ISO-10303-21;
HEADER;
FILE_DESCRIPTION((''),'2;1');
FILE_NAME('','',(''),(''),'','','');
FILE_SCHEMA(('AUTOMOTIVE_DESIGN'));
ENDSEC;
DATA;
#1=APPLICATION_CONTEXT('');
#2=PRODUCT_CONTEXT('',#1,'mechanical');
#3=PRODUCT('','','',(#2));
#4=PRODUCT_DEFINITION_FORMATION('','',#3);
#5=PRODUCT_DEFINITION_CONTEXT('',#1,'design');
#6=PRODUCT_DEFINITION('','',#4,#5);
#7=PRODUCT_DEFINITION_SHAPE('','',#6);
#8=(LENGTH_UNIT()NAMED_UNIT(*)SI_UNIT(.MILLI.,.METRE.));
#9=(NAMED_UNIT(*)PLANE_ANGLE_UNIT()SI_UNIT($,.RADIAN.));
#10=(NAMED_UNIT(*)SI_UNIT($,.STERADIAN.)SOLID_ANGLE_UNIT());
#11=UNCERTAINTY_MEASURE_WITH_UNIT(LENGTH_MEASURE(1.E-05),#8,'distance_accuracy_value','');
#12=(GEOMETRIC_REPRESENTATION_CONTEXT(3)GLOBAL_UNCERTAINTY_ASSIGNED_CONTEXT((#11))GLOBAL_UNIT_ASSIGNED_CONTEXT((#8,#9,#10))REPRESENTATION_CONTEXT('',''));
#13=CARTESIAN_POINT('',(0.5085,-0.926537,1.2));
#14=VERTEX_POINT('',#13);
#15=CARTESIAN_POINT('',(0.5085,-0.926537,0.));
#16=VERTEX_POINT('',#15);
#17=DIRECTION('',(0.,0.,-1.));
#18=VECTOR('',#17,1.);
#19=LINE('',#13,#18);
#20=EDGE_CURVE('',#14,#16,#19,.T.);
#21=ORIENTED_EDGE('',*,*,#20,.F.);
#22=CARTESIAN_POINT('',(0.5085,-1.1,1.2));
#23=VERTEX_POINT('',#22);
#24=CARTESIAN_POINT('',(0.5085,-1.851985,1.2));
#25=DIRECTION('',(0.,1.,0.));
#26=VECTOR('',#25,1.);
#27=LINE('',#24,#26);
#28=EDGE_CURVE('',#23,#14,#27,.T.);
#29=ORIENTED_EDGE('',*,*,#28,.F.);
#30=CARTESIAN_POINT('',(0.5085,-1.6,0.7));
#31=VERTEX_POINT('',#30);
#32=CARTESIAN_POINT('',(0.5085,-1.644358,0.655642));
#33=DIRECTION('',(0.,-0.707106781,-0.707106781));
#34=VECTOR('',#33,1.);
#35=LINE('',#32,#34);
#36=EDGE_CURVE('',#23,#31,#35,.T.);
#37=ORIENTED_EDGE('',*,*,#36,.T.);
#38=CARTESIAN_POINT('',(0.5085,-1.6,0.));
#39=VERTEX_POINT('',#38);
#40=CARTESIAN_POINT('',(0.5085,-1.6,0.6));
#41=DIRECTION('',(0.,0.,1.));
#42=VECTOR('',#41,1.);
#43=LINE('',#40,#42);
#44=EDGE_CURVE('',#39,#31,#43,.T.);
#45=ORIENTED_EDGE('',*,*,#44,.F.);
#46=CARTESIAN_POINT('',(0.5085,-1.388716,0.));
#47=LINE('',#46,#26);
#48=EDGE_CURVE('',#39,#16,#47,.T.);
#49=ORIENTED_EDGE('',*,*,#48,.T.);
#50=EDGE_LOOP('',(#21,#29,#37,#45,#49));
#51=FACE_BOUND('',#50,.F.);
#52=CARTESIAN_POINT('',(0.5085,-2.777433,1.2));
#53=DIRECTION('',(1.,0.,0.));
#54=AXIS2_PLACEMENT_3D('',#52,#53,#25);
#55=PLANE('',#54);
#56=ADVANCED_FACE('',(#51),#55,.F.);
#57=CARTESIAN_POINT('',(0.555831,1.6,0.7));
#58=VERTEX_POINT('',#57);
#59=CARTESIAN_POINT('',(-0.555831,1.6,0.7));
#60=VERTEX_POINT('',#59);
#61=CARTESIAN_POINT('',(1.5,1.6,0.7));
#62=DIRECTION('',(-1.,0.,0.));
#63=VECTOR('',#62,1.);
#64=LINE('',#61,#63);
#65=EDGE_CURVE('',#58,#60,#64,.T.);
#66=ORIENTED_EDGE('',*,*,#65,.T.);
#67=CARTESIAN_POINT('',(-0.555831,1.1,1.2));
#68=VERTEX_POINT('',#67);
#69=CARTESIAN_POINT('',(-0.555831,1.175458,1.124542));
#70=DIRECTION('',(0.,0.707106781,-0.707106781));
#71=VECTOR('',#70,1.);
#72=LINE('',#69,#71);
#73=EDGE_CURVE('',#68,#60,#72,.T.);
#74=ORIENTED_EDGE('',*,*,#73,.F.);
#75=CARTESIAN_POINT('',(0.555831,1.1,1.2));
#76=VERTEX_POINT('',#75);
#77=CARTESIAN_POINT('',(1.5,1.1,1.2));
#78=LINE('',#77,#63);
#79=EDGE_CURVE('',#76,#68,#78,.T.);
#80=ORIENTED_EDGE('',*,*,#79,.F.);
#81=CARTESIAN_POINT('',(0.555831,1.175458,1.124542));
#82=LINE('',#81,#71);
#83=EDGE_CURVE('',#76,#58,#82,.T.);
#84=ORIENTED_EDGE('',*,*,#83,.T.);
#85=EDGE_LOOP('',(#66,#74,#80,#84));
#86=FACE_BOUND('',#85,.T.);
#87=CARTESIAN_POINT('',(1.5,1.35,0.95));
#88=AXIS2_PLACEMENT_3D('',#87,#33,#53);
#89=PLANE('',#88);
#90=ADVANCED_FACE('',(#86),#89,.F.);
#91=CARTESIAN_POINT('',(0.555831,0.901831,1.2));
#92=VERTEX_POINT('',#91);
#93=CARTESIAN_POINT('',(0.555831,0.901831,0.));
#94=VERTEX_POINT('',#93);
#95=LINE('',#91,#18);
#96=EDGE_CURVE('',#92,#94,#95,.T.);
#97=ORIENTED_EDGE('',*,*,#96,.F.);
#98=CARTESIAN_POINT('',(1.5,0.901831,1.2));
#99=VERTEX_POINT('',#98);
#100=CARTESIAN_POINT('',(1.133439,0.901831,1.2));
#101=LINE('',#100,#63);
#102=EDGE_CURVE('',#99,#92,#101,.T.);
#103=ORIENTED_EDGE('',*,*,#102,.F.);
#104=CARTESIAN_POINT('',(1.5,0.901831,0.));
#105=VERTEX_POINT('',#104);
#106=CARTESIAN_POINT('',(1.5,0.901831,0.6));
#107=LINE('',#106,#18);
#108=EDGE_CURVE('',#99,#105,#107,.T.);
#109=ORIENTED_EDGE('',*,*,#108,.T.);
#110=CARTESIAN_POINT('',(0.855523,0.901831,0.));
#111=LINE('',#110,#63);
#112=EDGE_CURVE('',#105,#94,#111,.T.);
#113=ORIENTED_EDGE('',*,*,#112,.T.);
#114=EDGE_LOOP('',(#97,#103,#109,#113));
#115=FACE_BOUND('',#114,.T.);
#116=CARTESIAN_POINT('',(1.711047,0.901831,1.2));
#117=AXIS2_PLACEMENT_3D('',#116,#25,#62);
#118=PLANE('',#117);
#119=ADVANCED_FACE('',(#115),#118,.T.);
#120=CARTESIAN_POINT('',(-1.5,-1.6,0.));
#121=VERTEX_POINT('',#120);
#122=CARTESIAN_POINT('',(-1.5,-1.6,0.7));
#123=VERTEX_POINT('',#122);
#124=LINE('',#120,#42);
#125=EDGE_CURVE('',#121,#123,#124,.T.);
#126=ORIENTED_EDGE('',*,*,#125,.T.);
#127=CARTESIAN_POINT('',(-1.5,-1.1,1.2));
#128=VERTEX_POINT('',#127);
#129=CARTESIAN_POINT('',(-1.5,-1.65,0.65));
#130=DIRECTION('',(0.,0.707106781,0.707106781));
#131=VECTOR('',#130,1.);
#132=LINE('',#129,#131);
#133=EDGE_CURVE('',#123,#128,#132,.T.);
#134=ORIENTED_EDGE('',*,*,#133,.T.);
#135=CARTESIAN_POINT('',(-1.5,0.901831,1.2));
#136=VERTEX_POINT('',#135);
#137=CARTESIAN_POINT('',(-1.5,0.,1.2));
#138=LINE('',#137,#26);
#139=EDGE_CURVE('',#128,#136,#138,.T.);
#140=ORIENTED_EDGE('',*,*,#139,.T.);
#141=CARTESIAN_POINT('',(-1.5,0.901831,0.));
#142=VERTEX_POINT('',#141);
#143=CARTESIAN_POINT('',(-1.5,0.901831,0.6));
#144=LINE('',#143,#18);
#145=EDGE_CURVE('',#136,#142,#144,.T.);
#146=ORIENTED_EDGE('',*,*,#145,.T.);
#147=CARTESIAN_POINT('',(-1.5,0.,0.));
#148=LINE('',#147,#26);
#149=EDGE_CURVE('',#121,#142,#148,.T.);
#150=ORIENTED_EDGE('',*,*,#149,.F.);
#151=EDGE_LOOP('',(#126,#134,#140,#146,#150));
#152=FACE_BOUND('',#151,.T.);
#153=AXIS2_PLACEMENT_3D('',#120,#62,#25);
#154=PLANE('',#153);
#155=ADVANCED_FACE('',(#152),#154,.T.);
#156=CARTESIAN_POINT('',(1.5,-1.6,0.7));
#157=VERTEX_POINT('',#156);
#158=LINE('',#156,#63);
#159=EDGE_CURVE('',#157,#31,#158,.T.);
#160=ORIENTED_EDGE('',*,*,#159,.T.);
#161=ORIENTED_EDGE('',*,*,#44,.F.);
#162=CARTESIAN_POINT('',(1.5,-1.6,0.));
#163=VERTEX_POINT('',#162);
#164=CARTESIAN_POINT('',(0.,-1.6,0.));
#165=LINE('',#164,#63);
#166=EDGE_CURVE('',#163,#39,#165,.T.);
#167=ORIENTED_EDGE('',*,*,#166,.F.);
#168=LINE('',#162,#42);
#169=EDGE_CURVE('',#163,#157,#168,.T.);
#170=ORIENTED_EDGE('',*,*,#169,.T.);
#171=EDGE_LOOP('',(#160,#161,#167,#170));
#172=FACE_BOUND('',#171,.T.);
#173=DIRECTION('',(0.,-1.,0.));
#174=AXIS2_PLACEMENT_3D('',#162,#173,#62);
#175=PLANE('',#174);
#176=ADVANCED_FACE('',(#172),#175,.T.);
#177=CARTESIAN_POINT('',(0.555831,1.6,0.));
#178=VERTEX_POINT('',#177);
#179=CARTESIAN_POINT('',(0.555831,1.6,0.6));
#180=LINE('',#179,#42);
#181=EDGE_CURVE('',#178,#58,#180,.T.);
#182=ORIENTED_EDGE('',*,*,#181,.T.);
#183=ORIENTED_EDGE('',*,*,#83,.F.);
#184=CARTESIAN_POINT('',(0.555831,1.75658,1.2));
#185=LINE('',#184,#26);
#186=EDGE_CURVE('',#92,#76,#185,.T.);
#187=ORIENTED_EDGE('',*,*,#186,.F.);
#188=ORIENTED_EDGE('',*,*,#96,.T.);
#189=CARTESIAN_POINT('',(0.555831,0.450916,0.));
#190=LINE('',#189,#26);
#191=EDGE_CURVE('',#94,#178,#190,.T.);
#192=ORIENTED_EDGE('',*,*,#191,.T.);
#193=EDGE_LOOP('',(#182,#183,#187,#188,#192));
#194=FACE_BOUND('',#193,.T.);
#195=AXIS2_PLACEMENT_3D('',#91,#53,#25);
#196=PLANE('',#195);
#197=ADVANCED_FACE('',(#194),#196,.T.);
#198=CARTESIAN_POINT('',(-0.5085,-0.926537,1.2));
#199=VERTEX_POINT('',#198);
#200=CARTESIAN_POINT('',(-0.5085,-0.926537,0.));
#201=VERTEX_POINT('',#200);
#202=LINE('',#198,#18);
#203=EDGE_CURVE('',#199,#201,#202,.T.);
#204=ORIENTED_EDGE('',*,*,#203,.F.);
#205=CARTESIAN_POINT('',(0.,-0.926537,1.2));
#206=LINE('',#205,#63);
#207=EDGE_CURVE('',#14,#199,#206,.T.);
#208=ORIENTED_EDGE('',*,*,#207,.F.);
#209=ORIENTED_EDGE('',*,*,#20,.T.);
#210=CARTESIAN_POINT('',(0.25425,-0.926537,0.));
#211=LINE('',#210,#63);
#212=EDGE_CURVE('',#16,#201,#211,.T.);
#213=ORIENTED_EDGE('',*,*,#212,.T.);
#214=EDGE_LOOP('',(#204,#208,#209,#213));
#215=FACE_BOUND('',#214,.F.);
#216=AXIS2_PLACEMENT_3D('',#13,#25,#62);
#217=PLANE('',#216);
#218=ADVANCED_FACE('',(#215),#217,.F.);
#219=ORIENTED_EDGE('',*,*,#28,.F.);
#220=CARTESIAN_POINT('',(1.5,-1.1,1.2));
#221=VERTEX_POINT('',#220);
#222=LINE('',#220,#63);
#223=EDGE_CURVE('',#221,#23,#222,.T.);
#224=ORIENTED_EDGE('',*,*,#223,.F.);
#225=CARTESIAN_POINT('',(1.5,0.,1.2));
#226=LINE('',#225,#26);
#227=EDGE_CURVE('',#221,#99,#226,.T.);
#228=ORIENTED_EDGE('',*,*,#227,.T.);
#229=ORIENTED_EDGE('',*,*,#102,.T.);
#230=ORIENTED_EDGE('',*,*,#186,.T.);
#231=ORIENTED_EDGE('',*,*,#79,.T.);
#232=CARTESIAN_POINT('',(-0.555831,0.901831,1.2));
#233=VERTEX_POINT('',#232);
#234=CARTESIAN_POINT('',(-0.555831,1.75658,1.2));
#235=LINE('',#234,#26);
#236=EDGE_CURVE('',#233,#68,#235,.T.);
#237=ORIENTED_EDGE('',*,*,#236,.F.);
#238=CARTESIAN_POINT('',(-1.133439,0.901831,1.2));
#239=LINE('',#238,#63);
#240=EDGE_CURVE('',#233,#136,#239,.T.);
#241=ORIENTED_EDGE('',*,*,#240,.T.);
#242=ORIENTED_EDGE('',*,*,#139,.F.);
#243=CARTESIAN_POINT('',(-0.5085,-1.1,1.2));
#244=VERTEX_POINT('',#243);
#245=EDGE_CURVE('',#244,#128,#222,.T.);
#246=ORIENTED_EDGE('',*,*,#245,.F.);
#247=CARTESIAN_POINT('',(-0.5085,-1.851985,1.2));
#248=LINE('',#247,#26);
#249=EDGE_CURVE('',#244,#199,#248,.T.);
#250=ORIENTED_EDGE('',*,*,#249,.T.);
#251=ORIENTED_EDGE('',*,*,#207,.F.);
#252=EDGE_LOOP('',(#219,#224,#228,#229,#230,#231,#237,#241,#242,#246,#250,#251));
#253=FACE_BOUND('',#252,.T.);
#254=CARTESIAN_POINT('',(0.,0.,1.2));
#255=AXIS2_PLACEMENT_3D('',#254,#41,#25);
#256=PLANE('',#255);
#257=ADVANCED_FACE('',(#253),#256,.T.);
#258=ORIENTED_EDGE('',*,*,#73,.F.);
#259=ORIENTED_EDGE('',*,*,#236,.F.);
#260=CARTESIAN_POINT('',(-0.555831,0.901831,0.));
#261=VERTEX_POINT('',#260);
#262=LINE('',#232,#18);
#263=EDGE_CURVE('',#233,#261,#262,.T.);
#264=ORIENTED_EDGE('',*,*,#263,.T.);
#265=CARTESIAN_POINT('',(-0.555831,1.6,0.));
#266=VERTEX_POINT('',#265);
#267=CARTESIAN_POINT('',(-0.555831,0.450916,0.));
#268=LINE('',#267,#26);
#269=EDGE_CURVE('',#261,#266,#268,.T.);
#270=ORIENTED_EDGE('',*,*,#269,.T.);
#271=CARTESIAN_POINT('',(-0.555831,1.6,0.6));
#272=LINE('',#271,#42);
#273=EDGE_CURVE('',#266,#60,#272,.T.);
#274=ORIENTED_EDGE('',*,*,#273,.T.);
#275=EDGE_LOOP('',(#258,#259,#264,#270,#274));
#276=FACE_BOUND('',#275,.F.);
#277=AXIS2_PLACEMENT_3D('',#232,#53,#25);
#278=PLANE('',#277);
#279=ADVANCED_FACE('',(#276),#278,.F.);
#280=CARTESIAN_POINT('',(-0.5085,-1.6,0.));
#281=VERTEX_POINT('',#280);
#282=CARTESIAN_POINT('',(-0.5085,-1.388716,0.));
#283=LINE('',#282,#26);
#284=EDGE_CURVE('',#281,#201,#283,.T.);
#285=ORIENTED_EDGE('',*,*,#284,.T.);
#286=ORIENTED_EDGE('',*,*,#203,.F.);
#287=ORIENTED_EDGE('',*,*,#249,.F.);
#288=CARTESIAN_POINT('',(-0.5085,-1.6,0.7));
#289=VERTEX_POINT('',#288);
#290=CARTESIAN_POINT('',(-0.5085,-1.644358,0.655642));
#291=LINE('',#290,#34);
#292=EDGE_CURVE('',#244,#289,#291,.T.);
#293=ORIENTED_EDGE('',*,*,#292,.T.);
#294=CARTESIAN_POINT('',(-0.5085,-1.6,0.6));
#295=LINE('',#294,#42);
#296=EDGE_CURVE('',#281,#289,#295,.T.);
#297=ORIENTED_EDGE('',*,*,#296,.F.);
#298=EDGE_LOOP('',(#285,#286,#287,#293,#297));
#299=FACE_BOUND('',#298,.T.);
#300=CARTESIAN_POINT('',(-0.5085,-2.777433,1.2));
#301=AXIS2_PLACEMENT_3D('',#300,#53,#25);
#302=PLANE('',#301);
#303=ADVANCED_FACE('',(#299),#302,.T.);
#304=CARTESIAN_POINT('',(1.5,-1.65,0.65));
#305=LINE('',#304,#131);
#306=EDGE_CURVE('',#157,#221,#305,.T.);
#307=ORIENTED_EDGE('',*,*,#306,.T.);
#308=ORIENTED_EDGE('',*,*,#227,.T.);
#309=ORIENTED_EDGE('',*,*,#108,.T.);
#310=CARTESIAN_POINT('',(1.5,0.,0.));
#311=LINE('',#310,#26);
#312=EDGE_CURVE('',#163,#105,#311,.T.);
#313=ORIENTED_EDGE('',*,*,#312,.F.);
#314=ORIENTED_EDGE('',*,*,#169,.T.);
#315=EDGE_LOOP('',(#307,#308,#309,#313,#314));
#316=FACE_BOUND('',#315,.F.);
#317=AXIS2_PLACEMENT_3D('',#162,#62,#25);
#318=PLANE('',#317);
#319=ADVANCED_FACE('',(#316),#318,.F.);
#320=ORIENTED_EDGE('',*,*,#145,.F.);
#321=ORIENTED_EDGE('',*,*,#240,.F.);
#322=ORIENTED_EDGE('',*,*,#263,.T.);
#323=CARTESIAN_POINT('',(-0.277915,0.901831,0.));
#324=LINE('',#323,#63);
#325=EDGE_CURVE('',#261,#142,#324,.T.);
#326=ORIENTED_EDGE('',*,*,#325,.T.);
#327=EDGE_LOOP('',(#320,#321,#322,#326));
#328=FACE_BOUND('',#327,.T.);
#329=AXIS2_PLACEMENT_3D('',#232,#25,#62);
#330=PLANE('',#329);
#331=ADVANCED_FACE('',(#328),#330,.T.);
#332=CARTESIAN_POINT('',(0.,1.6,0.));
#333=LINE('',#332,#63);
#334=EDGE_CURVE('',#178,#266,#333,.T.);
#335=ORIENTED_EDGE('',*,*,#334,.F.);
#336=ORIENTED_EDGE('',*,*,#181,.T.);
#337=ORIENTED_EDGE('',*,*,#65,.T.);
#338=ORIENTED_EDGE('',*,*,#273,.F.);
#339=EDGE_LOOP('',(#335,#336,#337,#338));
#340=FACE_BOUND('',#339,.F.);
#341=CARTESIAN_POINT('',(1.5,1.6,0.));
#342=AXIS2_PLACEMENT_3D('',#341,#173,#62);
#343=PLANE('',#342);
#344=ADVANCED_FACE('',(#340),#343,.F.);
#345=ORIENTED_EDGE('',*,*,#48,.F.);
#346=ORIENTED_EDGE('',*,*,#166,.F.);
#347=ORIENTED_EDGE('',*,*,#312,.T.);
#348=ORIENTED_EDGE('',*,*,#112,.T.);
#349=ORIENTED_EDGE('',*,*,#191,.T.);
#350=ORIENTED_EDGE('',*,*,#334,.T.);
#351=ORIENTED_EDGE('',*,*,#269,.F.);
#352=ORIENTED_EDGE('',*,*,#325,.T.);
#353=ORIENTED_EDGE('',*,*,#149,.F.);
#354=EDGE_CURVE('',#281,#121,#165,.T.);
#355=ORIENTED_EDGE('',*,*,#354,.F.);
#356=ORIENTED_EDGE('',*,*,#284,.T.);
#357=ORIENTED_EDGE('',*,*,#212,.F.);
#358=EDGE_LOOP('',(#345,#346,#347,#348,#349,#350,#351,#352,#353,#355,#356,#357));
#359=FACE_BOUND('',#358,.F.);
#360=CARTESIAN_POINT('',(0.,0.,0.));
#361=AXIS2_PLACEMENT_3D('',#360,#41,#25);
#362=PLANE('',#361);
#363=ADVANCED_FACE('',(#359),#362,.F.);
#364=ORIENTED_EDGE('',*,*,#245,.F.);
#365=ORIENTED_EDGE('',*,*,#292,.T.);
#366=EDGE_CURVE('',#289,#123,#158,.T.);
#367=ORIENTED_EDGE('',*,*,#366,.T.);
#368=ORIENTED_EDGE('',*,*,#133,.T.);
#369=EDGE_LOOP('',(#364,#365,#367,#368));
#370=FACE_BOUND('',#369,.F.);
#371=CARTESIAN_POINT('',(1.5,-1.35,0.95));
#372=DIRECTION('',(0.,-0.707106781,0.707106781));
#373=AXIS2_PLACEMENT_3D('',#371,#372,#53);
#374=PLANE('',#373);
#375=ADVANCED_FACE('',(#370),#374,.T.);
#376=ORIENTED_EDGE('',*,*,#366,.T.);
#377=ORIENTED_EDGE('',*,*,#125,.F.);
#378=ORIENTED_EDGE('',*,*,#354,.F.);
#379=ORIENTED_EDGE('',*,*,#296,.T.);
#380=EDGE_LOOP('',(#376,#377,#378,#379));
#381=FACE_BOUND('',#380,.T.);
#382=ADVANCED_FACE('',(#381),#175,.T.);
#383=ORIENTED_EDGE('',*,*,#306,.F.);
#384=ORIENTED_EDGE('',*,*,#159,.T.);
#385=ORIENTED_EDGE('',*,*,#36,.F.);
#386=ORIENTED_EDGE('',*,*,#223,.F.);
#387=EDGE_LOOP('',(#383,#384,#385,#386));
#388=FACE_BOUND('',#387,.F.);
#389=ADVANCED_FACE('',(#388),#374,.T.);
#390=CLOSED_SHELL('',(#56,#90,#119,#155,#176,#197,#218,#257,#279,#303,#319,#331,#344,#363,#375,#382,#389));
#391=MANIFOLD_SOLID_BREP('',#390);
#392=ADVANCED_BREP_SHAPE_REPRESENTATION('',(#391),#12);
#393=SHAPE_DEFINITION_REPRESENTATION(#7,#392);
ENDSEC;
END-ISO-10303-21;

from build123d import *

# Parameters (mm, degrees)
SKETCH026_W             = 3.2
SKETCH026_H             = 3
PAD024_DEPTH            = 1.2
CHAMFER010_SIZE         = 0.5
SKETCH027_W             = 1.850896
SKETCH027_H             = 1.017
SKETCH027_W_2           = 1.709498
SKETCH027_H_2           = 1.155216
POCKET002_DEPTH         = 5
BODY024_PLACEMENT_ANGLE = 90


with BuildPart() as part:
    # Sketch026 → Pad024 (new body)
    with BuildSketch(Plane.XY):
        Rectangle(SKETCH026_W, SKETCH026_H)
    extrude(amount=PAD024_DEPTH)

    # Chamfer010
    chamfer010_edges = [part.edges().sort_by_distance(p)[0] for p in [
        (-1.6, 0, 1.2),
        (1.6, 0, 1.2),
    ]]
    chamfer(chamfer010_edges, length=CHAMFER010_SIZE)

    # Sketch027 (on Face5 of Chamfer010) → Pocket002 (cut)
    with BuildSketch(Plane.XY.offset(1.2)):
        with Locations((-1.851985, 0)):
            Rectangle(SKETCH027_W, SKETCH027_H)
        with Locations((1.75658, 1.133439)):
            Rectangle(SKETCH027_W_2, SKETCH027_H_2)
        with Locations((1.75658, -1.133439)):
            Rectangle(SKETCH027_W_2, SKETCH027_H_2)
    extrude(amount=-POCKET002_DEPTH, mode=Mode.SUBTRACT)


with BuildPart() as part_1:
    # Body024 placement: moved
    add(part.part.rotate(Axis((0, 0, 0), (0, 0, 1)), BODY024_PLACEMENT_ANGLE))


solid = part_1.part
